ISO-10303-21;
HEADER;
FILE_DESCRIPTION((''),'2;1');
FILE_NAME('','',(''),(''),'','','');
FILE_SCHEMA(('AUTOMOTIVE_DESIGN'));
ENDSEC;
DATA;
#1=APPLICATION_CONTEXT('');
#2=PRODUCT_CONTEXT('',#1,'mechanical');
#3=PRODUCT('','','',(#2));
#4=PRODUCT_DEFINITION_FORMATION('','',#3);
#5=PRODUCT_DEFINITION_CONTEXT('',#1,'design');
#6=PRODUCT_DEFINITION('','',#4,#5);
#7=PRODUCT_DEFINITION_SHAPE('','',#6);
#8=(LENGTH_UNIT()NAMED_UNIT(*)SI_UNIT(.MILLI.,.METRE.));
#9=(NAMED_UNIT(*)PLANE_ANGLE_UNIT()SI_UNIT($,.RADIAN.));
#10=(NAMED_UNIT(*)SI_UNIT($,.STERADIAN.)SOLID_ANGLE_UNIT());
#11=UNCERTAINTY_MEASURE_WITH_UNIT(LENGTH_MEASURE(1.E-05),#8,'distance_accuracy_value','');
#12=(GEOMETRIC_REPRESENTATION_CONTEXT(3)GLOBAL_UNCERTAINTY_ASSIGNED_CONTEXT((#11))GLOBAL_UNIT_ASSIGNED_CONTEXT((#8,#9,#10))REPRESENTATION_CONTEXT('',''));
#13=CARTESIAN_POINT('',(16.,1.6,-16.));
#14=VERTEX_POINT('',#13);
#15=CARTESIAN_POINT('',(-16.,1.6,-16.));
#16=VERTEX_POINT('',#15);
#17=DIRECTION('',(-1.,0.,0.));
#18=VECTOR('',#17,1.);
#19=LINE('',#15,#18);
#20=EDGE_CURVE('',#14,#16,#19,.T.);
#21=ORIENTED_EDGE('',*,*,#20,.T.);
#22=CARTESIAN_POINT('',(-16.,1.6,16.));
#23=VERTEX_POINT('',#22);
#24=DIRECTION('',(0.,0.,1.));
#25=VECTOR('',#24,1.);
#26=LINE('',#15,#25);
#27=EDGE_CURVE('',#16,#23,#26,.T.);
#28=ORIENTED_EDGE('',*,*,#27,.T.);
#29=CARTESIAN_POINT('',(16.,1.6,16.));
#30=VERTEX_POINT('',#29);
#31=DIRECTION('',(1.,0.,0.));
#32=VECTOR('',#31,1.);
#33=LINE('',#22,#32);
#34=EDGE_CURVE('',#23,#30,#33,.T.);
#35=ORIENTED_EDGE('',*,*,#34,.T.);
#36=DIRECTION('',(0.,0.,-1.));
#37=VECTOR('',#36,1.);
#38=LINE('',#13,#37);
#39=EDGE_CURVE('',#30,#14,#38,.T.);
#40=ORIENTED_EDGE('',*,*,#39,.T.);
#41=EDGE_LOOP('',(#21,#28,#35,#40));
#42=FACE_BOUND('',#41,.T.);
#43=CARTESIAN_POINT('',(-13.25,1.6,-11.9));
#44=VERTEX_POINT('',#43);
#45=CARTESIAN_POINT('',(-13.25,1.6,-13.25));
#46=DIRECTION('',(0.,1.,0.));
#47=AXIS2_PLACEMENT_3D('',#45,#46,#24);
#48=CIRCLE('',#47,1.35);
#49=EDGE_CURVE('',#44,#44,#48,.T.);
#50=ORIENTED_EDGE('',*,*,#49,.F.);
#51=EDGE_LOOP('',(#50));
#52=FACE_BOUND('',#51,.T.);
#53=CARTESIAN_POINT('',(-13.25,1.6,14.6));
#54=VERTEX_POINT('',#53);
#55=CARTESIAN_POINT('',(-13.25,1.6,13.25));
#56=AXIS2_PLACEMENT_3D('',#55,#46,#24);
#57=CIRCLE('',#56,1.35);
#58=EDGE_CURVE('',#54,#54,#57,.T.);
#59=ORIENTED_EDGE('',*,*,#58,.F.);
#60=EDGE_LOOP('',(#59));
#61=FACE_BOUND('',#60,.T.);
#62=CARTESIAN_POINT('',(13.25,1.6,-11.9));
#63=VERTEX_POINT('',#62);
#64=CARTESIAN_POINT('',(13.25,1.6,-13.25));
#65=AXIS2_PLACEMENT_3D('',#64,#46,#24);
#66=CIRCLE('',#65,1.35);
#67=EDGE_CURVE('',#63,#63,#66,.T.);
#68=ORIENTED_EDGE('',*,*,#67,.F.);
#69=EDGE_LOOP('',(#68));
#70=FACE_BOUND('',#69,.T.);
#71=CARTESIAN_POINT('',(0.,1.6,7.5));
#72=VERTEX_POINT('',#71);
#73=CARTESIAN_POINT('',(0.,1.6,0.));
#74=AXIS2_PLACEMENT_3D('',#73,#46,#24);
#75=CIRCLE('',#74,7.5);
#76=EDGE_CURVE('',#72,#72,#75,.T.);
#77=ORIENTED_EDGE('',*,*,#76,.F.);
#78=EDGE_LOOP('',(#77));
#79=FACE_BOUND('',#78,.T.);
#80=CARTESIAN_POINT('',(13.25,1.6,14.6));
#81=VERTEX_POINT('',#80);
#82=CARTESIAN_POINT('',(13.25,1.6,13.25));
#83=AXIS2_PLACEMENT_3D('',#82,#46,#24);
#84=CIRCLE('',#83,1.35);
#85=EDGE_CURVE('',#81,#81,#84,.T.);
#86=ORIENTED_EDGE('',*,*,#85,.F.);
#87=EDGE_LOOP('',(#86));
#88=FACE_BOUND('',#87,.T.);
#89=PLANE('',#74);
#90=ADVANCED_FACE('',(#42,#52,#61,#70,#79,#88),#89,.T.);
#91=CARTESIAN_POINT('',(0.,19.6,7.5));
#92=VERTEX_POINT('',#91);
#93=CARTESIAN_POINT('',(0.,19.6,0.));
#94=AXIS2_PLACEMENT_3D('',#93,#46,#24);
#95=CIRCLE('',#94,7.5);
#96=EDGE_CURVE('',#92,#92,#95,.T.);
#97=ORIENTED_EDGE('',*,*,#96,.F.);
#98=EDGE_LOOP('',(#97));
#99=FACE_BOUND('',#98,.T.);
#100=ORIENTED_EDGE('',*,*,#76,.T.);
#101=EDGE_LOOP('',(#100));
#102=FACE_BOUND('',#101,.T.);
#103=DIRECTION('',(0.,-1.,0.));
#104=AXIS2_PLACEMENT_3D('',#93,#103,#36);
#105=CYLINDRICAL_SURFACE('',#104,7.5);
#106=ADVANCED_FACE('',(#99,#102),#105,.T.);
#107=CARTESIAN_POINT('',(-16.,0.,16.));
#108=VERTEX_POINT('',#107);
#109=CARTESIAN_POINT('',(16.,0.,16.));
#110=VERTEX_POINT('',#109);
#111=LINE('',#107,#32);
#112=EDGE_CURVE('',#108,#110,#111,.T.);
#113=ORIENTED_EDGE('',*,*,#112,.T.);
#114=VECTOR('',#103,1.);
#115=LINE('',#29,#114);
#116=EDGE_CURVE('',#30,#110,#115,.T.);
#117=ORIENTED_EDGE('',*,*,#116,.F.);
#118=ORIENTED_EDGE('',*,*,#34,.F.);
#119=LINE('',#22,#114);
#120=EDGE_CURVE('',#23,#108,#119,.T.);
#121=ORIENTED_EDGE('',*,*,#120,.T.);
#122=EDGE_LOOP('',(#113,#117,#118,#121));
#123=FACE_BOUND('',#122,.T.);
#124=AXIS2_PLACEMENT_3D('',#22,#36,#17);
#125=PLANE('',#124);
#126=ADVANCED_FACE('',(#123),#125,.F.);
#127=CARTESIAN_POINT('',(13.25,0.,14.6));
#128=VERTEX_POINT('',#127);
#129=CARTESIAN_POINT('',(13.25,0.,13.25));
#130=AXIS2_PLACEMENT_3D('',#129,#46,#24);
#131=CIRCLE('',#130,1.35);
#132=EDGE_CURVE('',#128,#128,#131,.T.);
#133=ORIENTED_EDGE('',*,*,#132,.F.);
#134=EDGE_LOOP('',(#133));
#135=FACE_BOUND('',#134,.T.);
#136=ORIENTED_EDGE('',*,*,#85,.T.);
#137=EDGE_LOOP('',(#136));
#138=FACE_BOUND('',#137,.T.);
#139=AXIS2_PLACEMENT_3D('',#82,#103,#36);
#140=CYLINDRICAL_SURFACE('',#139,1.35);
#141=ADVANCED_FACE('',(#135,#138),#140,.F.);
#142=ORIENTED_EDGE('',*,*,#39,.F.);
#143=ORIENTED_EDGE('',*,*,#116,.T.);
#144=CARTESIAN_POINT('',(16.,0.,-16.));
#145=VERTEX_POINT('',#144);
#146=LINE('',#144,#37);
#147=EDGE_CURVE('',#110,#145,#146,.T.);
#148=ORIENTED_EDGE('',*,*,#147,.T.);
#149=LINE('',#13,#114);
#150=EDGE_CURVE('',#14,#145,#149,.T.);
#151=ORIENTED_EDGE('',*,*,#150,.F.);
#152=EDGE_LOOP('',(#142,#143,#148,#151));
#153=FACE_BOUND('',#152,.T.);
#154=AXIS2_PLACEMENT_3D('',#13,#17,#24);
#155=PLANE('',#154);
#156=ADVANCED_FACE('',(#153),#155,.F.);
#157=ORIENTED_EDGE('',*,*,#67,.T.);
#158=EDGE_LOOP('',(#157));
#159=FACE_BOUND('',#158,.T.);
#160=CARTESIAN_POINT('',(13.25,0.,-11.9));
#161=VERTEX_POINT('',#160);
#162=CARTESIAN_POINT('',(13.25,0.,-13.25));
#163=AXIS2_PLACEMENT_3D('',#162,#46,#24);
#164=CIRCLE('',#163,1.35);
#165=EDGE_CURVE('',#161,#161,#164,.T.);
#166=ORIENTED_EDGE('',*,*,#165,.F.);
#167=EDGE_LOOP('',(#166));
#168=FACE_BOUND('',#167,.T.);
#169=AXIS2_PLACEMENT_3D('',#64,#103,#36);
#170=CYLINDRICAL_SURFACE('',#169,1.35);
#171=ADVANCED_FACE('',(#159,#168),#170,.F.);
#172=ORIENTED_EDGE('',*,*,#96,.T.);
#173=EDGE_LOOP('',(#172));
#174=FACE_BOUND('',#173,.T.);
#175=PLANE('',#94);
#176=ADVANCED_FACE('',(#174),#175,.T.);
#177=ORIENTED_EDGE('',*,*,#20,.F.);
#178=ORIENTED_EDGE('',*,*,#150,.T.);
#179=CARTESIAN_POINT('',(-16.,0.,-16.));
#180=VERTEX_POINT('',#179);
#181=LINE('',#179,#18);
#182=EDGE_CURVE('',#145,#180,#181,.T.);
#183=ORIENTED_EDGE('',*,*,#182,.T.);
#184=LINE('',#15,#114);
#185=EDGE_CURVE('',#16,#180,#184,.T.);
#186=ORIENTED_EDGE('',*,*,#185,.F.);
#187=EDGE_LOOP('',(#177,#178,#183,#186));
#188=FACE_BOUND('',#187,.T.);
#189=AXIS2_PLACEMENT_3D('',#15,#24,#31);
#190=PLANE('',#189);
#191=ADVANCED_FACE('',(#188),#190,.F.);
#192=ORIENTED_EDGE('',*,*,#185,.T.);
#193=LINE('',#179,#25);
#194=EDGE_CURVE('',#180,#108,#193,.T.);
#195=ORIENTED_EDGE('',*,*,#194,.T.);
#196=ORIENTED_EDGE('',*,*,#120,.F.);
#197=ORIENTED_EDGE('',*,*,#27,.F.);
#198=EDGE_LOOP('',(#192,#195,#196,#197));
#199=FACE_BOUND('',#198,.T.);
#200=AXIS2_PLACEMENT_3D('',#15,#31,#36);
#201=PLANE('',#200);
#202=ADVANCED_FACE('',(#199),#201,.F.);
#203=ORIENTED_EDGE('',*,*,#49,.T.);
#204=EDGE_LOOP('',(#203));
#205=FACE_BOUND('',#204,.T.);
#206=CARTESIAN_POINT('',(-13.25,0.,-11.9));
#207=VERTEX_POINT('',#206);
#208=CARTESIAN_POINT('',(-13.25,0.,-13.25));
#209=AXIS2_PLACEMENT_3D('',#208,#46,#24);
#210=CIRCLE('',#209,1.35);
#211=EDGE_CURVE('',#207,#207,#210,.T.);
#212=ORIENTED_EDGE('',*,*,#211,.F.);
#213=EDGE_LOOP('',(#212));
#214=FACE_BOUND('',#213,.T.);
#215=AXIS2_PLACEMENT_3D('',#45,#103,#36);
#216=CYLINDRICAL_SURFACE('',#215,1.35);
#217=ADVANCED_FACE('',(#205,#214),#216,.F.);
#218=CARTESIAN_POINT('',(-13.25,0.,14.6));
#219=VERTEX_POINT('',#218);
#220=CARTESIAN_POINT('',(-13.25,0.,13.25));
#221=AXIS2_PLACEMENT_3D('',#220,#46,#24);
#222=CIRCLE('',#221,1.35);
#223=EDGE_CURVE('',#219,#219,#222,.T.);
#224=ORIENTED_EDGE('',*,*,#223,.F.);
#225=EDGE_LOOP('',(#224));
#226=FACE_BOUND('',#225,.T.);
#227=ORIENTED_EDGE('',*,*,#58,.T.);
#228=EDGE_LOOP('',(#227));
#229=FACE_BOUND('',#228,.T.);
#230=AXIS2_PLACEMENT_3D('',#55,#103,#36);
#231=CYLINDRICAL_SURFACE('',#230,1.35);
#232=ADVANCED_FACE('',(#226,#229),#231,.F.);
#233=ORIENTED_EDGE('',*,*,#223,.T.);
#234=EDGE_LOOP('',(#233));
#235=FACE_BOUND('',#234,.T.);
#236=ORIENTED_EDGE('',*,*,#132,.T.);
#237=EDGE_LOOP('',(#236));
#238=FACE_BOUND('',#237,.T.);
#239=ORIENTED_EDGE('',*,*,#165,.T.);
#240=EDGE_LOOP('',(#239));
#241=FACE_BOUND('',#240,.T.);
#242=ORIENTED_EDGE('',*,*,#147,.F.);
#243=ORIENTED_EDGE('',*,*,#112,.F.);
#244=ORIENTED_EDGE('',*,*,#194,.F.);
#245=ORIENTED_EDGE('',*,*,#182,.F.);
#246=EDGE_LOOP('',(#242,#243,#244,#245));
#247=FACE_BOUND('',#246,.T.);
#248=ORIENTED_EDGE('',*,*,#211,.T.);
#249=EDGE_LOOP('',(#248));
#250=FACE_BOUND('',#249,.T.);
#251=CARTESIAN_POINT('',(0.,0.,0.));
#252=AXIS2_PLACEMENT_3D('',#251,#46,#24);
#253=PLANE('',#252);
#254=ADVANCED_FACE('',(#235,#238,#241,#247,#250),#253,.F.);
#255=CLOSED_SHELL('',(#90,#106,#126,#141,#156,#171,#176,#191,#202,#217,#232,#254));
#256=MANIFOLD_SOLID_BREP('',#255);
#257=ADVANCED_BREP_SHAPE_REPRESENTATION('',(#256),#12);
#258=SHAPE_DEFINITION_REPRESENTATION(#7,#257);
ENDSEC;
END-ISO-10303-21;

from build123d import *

# Parameters (mm, degrees)
SKETCH_1_W      = 32
SKETCH_1_H      = 32
SKETCH_1_R      = 1.35
EXTRUDE_1_DEPTH = 1.6
SKETCH_2_R      = 7.5
EXTRUDE_2_DEPTH = 18


with BuildPart() as part:
    # 草图1 → 凸台-拉伸1 (new body)
    with BuildSketch(Plane(origin=(0, 0, 0), x_dir=(1, 0, 0), z_dir=(0, 1, 0))):
        Rectangle(SKETCH_1_W, SKETCH_1_H)
        with Locations(Location((-13.25, 13.25, 0), (0, 0, 270))):
            Circle(SKETCH_1_R, mode=Mode.SUBTRACT)
        with Locations(Location((13.25, 13.25, 0), (0, 0, 270))):
            Circle(SKETCH_1_R, mode=Mode.SUBTRACT)
        with Locations(Location((-13.25, -13.25, 0), (0, 0, 270))):
            Circle(SKETCH_1_R, mode=Mode.SUBTRACT)
        with Locations(Location((13.25, -13.25, 0), (0, 0, 270))):
            Circle(SKETCH_1_R, mode=Mode.SUBTRACT)
    extrude(amount=EXTRUDE_1_DEPTH)

    # 草图2 → 凸台-拉伸2 (add)
    with BuildSketch(Plane(origin=(0, 1.6, 0), x_dir=(1, 0, 0), z_dir=(0, 1, 0))):
        with Locations(Location((0, 0, 0), (0, 0, 270))):
            Circle(SKETCH_2_R)
    extrude(amount=EXTRUDE_2_DEPTH)


solid = part.part
